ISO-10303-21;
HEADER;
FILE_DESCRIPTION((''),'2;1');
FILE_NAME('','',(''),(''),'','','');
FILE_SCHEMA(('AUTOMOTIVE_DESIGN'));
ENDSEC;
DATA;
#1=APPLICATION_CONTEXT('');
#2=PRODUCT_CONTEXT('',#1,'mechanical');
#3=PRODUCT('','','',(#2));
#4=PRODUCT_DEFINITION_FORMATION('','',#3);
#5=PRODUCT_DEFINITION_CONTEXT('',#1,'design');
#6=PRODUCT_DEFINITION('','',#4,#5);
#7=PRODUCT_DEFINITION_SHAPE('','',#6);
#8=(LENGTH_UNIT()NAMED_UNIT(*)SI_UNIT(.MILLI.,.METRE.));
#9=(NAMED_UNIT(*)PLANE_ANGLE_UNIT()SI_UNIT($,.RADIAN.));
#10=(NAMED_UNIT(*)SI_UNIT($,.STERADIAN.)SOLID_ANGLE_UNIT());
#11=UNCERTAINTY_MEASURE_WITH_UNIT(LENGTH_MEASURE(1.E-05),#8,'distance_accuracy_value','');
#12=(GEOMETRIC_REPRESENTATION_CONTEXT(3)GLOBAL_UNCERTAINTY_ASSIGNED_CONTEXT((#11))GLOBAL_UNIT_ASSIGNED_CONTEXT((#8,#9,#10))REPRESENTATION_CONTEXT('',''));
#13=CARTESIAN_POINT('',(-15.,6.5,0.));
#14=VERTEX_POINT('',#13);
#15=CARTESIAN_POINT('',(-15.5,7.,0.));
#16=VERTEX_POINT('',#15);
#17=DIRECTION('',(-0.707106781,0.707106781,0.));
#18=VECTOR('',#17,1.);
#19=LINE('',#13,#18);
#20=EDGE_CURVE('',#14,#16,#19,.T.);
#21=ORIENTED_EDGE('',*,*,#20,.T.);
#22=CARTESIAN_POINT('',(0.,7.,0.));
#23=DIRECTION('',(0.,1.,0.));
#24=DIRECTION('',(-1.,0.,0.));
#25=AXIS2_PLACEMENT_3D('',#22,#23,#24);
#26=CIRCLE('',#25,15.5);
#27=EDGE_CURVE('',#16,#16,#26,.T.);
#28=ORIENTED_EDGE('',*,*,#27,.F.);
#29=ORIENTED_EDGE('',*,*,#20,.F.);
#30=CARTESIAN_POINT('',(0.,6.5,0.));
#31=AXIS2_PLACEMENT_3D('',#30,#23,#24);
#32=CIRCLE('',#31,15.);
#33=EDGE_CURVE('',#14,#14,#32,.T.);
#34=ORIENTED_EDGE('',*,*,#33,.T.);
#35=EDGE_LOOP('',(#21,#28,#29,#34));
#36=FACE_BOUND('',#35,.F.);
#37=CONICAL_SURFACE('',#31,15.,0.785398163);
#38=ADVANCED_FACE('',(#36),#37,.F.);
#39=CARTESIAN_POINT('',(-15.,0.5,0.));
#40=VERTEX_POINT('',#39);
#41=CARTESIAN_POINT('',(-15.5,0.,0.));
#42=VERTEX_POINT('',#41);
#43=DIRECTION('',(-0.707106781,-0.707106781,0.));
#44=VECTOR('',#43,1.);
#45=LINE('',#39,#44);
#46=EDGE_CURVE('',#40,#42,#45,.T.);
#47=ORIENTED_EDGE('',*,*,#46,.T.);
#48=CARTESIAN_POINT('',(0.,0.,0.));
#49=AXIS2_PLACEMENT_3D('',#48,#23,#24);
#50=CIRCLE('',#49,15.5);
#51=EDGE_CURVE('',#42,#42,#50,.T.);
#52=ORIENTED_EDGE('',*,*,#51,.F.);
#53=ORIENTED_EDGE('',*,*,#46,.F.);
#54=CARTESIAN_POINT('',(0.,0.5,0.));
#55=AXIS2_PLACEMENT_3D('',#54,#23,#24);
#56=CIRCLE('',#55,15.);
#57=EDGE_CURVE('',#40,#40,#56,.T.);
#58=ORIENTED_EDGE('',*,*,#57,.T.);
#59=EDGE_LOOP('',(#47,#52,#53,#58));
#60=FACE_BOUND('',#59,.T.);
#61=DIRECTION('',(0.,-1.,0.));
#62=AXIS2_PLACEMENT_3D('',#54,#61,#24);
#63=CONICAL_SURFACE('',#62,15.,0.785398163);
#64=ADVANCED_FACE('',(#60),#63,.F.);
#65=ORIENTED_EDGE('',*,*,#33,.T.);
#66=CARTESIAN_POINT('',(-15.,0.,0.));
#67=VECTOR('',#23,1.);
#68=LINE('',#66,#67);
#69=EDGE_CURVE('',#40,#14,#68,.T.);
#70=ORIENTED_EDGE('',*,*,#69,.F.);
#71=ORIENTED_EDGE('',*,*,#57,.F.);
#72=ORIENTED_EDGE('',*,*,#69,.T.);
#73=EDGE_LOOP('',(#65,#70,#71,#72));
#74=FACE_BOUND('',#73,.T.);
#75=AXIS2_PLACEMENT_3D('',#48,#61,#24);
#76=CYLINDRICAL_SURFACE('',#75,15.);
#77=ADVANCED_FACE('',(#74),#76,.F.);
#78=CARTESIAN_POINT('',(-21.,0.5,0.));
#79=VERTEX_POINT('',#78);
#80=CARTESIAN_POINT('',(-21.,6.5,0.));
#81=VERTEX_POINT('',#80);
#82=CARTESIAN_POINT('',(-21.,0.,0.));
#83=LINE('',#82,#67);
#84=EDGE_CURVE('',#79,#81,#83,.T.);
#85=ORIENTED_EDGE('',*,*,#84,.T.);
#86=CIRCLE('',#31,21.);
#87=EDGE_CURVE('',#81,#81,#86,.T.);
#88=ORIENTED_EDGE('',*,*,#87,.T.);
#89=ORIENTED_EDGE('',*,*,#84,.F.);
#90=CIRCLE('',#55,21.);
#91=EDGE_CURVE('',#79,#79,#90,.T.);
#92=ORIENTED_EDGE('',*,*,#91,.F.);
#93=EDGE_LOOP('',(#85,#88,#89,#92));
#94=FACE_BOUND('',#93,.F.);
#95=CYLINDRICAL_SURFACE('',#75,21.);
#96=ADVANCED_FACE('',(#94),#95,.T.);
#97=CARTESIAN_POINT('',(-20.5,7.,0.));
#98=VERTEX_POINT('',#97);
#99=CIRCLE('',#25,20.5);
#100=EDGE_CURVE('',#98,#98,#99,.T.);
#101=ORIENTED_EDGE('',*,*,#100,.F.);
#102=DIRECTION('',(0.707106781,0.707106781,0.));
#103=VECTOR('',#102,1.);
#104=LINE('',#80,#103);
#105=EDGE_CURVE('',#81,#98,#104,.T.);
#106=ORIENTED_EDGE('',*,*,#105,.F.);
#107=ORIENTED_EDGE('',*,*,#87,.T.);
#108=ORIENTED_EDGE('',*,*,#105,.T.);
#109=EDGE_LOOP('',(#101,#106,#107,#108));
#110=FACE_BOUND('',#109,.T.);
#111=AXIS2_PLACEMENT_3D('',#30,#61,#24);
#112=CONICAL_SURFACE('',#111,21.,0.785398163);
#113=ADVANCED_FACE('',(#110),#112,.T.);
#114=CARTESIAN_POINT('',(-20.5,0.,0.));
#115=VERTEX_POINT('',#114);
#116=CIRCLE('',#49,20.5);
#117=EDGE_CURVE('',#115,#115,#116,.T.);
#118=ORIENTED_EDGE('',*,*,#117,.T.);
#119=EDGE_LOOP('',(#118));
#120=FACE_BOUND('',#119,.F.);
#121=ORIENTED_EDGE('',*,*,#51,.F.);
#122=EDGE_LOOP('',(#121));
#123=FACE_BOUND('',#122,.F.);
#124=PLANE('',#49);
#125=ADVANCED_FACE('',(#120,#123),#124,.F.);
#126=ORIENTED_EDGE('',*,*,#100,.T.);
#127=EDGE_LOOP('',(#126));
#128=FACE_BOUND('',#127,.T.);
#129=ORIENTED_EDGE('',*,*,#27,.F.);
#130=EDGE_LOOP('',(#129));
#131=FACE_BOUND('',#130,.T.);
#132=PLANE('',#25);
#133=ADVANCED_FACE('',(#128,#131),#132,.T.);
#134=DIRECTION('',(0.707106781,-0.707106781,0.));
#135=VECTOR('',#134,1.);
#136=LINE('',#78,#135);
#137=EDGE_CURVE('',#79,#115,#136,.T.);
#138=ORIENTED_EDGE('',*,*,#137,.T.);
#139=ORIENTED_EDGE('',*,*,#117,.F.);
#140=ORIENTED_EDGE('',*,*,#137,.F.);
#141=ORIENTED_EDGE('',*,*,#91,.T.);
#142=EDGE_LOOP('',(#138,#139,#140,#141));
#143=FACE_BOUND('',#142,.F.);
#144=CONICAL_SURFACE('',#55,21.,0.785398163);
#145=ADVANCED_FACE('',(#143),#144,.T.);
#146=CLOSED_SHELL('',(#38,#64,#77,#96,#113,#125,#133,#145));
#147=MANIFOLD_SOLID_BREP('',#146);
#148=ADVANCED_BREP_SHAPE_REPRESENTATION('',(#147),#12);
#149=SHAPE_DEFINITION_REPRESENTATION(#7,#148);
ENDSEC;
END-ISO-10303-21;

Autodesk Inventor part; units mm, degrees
ref_plane "YZ Plane" through (0, 0, 0) normal (1, 0, 0) x (0, 1, 0)
ref_plane "XZ Plane" through (0, 0, 0) normal (0, 1, 0) x (-1, 0, 0)
ref_plane "XY Plane" through (0, 0, 0) normal (0, 0, 1) x (1, 0, 0)
sketch "Sketch1" plane through (0, 0, 0) normal (0, 1, 0) x (-1, 0, 0)
  circle A0 centre (0, 0) radius 15
  circle A1 centre (0, 0) radius 21
  dimension "d0" = 30
  dimension "d1" = 42
extrude "Extrusion1" add sketch "Sketch1" along normal blind 7
chamfer "Chamfer1" distance 0.5 angle 45 4 edges at (21, 7, 0) (21, 0, 0) (15, 0, 0) (15, 7, 0)
properties part number "bearing_30x42x7"
